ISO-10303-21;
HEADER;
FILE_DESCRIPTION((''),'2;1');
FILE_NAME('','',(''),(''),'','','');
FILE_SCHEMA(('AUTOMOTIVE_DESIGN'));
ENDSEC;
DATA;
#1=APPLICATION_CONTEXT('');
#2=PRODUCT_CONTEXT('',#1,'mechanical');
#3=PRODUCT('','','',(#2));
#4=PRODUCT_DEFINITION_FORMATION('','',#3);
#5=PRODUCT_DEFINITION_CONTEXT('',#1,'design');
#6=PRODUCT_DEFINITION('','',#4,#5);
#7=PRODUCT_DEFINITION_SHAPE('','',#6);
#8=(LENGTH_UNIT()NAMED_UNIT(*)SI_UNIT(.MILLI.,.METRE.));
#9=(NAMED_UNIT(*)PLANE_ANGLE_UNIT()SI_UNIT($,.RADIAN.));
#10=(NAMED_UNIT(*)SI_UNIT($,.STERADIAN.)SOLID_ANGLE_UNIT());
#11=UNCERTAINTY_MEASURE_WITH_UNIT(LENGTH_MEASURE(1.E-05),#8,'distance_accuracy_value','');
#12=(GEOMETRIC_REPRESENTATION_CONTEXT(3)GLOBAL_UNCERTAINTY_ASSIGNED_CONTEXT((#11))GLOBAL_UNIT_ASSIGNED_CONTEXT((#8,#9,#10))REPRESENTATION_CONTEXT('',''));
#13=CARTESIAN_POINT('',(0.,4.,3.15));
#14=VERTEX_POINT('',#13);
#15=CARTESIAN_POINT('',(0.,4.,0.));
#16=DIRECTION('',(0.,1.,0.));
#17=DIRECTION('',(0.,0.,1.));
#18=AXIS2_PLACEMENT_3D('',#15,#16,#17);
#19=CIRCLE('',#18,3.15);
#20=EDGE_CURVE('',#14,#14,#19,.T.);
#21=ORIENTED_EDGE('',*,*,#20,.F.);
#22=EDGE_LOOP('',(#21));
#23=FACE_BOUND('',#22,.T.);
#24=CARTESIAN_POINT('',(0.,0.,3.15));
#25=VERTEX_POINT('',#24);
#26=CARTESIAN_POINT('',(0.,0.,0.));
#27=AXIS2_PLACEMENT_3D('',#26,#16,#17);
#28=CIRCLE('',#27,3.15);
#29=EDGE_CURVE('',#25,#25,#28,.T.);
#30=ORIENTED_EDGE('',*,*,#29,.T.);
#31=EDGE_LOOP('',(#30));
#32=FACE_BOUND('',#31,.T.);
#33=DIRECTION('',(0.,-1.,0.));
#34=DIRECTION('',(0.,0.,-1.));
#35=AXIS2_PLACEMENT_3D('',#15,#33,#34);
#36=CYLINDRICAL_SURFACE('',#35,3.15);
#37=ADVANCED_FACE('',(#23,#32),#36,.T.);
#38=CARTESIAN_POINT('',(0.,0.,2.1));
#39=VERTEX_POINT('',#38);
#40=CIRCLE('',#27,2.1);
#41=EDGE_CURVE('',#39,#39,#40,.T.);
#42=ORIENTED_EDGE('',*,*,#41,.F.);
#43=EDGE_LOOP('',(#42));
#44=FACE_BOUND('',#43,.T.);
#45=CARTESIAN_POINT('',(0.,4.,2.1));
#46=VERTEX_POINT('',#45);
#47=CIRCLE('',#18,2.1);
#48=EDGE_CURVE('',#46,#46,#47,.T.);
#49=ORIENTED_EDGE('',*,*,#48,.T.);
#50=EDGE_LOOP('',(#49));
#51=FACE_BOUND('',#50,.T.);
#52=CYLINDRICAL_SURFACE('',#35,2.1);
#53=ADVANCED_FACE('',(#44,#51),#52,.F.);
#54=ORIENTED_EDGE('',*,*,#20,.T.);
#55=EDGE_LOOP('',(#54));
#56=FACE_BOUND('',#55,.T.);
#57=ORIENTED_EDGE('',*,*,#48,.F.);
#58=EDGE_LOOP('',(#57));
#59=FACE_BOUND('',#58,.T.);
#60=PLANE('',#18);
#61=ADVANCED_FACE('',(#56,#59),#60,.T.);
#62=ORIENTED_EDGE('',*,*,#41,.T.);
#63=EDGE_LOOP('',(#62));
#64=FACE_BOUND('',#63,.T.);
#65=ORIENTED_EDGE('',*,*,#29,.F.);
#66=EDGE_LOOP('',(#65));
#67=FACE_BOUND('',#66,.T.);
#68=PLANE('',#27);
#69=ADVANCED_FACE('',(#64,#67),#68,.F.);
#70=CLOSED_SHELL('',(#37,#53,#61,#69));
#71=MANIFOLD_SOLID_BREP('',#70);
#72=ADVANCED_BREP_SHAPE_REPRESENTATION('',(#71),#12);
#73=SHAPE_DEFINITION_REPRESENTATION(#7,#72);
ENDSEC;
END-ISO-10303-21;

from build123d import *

# Parameters (mm, degrees)
SKETCH1_R           = 3.15
SKETCH1_R_2         = 2.1
BOSS_EXTRUDE1_DEPTH = 4


with BuildPart() as part:
    # Sketch1 → Boss-Extrude1 (new body)
    with BuildSketch(Plane(origin=(0, 0, 0), x_dir=(1, 0, 0), z_dir=(0, 1, 0))):
        with Locations(Location((0, 0, 0), (0, 0, 270))):
            Circle(SKETCH1_R)
        with Locations(Location((0, 0, 0), (0, 0, 270))):
            Circle(SKETCH1_R_2, mode=Mode.SUBTRACT)
    extrude(amount=BOSS_EXTRUDE1_DEPTH)


solid = part.part
